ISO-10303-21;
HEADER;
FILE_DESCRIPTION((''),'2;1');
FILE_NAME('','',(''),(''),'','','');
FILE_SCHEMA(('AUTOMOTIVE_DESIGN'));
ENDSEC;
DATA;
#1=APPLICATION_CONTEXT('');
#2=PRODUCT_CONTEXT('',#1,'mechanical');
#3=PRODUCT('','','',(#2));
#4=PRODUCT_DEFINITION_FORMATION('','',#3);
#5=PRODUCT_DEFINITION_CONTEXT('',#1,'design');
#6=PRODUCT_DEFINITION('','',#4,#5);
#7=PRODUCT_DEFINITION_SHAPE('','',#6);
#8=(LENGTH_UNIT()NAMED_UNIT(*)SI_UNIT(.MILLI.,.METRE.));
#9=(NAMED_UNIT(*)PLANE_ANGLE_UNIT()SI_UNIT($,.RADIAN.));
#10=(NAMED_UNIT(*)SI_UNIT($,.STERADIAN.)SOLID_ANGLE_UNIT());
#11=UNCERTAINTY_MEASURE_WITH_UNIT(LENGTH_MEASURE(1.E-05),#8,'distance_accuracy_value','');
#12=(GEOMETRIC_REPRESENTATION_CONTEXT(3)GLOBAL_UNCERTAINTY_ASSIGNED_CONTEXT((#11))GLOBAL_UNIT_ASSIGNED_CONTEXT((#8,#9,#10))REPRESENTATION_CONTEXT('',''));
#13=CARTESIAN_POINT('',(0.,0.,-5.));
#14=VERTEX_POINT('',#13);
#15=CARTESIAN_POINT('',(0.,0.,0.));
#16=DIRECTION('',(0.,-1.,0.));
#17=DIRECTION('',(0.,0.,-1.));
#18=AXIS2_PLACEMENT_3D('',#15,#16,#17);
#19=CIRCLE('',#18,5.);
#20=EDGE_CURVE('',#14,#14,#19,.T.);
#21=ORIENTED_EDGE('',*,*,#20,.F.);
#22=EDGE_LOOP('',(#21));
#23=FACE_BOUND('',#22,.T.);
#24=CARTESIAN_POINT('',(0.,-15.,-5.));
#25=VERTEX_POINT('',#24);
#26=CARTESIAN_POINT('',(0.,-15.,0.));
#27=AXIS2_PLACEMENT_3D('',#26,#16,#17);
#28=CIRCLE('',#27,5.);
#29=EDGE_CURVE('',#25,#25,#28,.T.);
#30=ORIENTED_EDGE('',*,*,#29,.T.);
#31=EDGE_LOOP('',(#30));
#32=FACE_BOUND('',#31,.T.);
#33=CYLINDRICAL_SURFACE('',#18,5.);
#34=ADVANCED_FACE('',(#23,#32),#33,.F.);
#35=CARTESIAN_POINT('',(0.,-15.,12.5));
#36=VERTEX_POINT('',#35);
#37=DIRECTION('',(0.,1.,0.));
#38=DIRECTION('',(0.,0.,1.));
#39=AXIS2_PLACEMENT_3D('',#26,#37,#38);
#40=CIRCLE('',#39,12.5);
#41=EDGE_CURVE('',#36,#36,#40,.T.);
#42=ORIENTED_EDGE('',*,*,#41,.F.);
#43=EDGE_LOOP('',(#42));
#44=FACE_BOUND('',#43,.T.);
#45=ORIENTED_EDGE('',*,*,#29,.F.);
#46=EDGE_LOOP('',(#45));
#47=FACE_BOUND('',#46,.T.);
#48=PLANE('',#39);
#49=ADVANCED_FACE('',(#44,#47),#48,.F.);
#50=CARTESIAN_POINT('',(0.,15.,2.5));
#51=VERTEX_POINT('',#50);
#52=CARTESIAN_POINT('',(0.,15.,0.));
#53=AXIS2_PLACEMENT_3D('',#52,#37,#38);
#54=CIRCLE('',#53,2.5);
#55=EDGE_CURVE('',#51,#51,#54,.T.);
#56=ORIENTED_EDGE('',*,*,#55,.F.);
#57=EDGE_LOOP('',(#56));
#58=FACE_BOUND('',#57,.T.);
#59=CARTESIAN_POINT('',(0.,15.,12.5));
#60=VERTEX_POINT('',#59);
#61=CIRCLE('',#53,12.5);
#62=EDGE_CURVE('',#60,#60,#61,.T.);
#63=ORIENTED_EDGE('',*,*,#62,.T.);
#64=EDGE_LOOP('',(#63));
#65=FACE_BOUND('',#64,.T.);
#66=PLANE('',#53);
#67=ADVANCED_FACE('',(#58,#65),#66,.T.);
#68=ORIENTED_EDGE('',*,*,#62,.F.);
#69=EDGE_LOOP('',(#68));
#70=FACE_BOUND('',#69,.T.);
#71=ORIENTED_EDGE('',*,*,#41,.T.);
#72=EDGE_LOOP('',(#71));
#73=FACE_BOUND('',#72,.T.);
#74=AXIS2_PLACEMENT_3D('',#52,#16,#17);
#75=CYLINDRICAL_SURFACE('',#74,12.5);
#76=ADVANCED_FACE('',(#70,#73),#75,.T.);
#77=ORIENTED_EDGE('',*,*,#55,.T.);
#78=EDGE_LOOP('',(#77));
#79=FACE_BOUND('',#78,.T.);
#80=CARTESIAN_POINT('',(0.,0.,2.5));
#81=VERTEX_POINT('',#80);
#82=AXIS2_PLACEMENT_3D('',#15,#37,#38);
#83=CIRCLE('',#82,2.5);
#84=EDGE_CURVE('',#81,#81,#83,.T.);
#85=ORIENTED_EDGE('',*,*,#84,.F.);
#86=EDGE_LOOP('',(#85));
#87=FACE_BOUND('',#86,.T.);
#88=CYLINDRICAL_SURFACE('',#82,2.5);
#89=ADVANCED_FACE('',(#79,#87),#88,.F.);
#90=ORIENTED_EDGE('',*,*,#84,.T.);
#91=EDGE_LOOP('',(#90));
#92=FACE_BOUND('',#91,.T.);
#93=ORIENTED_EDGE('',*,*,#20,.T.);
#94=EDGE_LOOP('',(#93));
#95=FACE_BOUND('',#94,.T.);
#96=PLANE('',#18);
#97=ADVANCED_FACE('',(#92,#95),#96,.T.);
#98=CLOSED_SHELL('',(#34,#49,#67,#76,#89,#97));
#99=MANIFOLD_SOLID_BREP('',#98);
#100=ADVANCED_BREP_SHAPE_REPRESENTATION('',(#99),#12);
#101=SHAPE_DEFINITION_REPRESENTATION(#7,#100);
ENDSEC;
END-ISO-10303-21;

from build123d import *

# Parameters (mm, degrees)
SKETCH2_R           = 12.5
BOSS_EXTRUDE1_DEPTH = 15
SKETCH3_R           = 2.5
CUT_EXTRUDE1_DEPTH  = 15
SKETCH4_R           = 5
CUT_EXTRUDE2_DEPTH  = 15


with BuildPart() as part:
    # Sketch2 → Boss-Extrude1 (new, symmetric)
    with BuildSketch(Plane(origin=(0, 0, 0), x_dir=(1, 0, 0), z_dir=(0, 1, 0))):
        with Locations(Location((0, 0, 0), (0, 0, 270))):
            Circle(SKETCH2_R)
    extrude(amount=BOSS_EXTRUDE1_DEPTH, both=True)

    # Sketch3 → Cut-Extrude1 (cut)
    with BuildSketch(Plane(origin=(0, 15, 0), x_dir=(1, 0, 0), z_dir=(0, 1, 0))):
        with Locations(Location((0, 0, 0), (0, 0, 270))):
            Circle(SKETCH3_R)
    extrude(amount=-CUT_EXTRUDE1_DEPTH, mode=Mode.SUBTRACT)

    # Sketch4 → Cut-Extrude2 (cut)
    with BuildSketch(Plane.XZ.offset(15)):
        with Locations(Location((0, 0, 0), (0, 0, 270))):
            Circle(SKETCH4_R)
    extrude(amount=-CUT_EXTRUDE2_DEPTH, mode=Mode.SUBTRACT)


solid = part.part
